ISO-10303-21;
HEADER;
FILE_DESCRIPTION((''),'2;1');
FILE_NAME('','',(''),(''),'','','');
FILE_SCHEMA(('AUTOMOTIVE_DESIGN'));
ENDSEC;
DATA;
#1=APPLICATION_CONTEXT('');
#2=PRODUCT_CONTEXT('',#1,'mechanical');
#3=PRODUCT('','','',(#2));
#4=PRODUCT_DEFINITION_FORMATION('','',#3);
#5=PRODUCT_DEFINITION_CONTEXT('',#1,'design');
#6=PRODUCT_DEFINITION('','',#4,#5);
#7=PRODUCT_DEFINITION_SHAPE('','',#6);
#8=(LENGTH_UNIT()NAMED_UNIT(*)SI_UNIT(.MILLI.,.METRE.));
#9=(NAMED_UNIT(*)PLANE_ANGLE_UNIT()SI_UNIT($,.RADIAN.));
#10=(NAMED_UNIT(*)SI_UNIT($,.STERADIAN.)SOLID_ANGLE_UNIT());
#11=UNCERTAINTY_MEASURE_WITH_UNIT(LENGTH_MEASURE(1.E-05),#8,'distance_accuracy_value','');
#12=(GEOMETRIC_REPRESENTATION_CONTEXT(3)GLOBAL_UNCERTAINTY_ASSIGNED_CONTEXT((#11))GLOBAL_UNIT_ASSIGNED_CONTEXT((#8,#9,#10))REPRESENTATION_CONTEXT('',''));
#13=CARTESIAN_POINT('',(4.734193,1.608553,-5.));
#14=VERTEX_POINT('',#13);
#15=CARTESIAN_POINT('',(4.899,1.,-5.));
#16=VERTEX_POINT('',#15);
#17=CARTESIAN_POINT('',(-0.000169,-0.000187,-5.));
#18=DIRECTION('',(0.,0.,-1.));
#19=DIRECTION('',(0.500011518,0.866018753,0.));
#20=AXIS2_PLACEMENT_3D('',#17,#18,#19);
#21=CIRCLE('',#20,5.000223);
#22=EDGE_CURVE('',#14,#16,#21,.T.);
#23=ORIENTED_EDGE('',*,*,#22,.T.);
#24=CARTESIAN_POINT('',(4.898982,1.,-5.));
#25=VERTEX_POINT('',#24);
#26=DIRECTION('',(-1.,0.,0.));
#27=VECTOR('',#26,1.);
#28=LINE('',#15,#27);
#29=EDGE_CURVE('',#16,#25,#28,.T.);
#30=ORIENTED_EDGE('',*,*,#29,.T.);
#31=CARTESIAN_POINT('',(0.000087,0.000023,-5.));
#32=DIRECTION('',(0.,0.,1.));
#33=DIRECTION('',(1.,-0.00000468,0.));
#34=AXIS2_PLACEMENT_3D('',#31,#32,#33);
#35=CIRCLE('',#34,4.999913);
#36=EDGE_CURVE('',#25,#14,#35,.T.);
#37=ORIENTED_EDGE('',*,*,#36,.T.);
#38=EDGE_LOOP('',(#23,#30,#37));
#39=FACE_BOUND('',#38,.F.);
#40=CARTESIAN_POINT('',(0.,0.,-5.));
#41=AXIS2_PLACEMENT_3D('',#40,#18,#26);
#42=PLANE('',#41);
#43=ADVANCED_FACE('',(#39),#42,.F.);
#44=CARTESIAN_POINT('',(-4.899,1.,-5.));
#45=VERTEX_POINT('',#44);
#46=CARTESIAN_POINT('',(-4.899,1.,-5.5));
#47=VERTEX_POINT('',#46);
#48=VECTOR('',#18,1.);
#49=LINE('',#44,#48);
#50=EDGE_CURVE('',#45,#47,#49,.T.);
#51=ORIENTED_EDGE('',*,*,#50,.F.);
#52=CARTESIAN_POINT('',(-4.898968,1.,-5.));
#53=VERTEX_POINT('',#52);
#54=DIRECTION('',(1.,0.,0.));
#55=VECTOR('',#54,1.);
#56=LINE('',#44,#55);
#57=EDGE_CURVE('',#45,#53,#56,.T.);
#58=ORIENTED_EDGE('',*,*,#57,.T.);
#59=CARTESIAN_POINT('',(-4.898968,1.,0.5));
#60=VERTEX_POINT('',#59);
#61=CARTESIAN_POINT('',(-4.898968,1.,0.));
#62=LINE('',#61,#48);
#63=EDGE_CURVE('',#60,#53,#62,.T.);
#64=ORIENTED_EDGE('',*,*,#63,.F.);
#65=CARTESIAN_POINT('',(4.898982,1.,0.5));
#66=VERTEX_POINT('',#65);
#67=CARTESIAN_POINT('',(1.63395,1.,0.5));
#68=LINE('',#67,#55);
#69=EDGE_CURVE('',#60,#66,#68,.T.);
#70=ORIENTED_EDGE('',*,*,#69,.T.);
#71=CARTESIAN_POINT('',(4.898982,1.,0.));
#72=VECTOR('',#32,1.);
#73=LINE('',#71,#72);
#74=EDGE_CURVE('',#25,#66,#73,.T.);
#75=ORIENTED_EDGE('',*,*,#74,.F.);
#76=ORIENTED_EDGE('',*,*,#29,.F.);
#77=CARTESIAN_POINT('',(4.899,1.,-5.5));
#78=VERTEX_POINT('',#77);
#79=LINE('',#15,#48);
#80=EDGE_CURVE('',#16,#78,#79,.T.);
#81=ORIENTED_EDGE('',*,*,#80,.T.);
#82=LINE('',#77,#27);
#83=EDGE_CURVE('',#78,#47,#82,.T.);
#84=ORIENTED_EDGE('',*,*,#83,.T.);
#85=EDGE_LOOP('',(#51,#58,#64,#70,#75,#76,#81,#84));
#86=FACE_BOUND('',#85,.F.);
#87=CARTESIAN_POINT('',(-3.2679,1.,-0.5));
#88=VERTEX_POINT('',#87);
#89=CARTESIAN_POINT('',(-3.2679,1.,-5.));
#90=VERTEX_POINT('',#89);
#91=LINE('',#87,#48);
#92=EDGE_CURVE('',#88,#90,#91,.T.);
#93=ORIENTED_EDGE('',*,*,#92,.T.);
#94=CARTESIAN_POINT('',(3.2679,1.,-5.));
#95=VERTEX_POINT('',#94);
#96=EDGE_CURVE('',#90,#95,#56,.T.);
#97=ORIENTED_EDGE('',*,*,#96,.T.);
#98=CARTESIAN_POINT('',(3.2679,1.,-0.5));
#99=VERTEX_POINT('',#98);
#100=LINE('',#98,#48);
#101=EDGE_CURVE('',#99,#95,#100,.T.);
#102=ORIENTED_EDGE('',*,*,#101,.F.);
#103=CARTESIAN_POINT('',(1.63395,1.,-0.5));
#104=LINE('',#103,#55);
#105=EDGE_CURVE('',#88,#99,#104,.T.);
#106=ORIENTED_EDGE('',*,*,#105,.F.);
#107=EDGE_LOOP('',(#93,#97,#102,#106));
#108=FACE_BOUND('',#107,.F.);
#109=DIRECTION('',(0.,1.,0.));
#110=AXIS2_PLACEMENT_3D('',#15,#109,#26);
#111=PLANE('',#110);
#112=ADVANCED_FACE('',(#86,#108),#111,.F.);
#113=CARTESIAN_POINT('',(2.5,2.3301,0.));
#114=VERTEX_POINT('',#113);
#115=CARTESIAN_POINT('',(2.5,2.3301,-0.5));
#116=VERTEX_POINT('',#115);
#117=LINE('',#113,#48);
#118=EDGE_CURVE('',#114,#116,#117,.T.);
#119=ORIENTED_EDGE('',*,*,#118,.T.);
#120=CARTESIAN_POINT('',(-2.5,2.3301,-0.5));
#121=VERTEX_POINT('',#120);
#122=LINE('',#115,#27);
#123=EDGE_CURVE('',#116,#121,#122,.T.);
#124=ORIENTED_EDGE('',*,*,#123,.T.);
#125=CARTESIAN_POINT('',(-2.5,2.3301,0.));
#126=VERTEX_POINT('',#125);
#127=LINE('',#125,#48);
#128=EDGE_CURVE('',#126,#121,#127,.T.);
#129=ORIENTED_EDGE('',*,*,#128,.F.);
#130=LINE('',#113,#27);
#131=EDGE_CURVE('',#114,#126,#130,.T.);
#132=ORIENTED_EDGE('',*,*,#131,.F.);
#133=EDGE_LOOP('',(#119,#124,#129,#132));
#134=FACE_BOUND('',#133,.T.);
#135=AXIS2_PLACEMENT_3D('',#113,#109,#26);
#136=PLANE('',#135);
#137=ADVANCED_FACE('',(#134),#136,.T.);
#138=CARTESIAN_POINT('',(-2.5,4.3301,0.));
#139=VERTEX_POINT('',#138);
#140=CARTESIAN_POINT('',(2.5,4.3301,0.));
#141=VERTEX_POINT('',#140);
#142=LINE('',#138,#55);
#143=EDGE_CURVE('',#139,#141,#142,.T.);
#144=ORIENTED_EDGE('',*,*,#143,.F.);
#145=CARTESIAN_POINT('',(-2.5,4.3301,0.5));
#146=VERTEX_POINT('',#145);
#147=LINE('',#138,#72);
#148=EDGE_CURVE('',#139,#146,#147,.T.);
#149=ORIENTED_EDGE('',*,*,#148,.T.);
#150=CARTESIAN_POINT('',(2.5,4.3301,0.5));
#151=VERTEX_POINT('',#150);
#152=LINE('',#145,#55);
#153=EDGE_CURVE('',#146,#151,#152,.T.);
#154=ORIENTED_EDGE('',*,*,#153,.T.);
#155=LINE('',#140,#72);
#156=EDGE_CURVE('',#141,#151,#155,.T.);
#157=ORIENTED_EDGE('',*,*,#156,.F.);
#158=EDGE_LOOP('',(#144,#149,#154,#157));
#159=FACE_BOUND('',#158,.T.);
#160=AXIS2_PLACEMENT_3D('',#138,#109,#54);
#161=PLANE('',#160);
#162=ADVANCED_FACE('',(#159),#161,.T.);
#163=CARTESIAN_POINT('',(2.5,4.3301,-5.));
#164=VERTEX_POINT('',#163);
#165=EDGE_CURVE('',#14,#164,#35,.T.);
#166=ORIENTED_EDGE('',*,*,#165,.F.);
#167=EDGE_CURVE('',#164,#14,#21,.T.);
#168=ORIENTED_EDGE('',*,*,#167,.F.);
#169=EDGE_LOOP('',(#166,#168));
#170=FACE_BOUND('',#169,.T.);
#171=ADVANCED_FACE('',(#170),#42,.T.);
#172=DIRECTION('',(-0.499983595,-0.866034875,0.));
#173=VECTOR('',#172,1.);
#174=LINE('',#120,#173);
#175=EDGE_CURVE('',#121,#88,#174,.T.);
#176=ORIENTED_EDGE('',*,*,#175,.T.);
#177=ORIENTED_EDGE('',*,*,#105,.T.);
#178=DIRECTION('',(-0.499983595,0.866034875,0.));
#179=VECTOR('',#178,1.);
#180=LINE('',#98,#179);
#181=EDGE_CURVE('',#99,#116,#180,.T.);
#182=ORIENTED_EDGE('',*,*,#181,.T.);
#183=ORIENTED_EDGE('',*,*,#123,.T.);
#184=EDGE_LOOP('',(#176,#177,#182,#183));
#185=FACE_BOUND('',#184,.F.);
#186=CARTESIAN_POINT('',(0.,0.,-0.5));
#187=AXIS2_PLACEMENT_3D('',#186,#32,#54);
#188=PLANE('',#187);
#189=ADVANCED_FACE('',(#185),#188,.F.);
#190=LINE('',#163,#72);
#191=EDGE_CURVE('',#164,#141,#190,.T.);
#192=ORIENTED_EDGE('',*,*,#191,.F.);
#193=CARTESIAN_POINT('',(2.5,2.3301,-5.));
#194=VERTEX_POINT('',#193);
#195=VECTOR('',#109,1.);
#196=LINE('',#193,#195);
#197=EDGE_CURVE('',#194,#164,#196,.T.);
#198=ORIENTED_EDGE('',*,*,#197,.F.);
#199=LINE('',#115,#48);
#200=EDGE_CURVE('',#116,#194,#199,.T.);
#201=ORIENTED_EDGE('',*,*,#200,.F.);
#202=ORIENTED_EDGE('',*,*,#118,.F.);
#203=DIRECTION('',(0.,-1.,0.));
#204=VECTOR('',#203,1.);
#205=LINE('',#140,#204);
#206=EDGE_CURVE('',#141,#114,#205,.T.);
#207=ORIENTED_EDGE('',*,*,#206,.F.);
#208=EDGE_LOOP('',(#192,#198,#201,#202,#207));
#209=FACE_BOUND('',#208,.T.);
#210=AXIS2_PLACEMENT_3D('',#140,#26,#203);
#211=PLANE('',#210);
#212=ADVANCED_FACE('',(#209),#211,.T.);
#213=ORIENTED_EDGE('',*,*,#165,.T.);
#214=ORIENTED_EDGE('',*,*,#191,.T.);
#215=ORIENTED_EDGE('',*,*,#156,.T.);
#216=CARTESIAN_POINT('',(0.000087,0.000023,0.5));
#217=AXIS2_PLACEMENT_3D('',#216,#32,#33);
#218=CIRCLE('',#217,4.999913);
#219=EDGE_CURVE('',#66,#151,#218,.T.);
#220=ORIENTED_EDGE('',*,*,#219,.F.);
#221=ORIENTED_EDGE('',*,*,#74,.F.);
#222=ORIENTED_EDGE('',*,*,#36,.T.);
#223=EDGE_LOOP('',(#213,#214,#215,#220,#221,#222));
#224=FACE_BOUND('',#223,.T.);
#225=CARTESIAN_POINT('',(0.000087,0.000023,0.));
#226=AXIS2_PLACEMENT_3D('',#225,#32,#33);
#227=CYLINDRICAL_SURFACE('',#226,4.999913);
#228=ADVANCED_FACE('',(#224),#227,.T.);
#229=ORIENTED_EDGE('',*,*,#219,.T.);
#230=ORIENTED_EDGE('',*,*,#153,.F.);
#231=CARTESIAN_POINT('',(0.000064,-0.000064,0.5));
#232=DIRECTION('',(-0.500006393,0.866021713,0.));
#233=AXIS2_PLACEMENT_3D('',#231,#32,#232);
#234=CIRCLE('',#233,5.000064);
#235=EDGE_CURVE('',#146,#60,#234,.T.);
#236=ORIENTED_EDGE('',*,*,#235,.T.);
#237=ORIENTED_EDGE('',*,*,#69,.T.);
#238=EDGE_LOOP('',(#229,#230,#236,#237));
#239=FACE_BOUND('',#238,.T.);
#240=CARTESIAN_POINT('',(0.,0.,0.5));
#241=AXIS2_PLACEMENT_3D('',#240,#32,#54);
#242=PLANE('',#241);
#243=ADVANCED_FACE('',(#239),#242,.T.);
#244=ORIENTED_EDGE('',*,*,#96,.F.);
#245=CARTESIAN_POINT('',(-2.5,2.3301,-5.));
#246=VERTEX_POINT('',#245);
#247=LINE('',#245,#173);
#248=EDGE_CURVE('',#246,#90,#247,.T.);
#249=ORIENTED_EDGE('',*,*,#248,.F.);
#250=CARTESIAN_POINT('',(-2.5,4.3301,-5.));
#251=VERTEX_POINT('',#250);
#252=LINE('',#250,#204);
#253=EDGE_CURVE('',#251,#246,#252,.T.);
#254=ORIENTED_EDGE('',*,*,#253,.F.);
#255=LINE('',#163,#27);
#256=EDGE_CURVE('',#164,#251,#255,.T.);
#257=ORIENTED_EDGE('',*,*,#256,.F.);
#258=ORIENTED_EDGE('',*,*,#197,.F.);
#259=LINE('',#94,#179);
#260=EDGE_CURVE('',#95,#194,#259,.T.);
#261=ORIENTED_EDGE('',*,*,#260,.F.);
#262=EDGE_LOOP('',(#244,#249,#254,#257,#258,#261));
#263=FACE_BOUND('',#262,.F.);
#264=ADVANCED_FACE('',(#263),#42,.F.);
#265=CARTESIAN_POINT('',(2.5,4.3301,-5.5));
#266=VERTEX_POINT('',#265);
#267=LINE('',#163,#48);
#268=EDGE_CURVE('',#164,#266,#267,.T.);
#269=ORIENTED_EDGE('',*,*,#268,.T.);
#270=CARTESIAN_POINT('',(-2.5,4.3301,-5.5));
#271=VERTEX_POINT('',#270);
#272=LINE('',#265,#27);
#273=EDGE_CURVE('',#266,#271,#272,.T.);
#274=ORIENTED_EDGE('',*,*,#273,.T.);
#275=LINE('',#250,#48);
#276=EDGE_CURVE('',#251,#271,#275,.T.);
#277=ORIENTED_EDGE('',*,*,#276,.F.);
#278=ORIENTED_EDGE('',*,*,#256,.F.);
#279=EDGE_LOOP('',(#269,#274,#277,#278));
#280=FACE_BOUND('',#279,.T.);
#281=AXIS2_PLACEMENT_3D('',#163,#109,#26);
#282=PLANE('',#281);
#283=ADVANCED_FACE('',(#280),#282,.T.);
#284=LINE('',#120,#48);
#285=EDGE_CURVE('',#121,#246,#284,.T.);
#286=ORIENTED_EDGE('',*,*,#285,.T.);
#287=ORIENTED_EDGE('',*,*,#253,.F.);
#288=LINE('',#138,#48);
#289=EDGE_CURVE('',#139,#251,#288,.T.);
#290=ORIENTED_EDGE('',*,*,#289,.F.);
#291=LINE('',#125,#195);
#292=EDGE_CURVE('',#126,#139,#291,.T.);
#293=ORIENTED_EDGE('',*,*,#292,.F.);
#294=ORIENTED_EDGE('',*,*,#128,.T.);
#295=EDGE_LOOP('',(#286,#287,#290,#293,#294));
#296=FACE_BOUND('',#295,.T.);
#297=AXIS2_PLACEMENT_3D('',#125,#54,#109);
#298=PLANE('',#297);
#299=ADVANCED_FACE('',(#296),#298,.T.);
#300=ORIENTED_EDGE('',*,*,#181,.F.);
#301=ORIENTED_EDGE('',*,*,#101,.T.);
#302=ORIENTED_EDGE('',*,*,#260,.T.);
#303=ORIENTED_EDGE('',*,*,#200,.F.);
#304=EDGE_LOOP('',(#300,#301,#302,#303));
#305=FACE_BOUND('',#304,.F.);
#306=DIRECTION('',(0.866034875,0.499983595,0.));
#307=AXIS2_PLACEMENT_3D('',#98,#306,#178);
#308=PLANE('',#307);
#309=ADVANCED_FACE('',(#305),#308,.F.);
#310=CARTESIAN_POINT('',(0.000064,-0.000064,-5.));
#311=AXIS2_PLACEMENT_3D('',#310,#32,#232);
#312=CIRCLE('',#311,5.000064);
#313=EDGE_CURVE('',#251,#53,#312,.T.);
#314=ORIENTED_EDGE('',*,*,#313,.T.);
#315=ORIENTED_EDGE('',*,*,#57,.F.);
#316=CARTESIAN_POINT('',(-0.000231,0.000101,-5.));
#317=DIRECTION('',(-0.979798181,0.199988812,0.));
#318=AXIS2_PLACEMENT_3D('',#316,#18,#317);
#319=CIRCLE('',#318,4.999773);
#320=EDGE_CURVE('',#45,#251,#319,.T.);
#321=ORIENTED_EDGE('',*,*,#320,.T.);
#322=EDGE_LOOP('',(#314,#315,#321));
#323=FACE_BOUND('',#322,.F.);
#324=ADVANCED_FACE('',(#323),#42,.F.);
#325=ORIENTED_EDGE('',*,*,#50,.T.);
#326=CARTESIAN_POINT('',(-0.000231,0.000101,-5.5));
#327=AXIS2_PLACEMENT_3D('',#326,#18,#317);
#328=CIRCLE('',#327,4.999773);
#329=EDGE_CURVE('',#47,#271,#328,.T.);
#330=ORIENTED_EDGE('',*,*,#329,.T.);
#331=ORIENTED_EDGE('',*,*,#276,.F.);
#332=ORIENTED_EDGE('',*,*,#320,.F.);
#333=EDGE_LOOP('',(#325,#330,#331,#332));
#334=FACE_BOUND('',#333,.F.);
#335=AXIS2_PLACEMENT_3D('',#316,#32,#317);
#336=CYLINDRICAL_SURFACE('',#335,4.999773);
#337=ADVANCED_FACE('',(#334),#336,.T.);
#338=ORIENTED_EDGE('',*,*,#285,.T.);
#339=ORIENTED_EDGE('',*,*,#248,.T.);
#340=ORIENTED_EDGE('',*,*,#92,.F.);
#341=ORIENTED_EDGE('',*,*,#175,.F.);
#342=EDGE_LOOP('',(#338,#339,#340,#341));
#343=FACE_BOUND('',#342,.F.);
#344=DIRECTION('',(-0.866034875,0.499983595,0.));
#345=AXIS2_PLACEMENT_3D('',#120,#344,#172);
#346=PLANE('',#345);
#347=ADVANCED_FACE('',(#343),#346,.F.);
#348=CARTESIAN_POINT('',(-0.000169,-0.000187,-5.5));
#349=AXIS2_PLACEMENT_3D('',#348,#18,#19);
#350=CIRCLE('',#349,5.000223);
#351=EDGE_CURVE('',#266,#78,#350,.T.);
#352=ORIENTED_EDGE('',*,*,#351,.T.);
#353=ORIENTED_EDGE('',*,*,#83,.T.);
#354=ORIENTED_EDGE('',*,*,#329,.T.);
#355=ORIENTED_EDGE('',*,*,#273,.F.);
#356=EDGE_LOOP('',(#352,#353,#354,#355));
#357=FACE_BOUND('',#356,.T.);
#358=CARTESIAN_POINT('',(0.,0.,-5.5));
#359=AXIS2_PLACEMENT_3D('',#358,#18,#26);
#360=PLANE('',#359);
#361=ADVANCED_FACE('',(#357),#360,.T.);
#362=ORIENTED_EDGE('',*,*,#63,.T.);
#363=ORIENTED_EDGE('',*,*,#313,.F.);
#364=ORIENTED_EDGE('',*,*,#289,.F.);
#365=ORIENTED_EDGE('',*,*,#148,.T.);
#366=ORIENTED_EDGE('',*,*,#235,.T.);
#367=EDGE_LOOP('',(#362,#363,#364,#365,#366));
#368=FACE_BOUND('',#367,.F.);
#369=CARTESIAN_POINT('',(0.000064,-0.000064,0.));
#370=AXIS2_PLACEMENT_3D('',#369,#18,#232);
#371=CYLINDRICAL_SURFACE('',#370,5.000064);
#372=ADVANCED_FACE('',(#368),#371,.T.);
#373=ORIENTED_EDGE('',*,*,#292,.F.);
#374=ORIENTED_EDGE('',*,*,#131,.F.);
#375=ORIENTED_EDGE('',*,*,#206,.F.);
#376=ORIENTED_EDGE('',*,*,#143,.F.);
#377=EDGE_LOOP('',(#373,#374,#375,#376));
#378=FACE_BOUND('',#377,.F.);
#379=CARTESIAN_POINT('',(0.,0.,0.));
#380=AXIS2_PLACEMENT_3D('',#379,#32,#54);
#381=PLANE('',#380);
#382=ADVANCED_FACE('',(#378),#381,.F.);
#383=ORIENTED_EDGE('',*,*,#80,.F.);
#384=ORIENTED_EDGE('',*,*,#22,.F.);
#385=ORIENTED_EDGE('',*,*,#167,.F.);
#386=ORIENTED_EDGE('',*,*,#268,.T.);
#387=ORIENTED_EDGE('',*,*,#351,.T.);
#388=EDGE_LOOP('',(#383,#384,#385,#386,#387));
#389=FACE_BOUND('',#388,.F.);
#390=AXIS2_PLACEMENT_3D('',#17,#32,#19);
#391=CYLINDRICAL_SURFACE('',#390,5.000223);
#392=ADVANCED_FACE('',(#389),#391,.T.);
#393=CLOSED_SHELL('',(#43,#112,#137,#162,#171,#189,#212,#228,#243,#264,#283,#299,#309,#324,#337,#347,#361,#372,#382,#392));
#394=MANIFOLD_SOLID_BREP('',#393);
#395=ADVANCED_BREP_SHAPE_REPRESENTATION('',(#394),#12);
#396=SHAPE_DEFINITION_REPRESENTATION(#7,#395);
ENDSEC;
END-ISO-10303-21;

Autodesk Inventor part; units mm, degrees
ref_plane "YZ Plane" through (0, 0, 0) normal (1, 0, 0) x (0, 1, 0)
ref_plane "XZ Plane" through (0, 0, 0) normal (0, 1, 0) x (-1, 0, 0)
sketch "Sketch9" plane through (0, 0, 0) normal (0, 0, 1) x (1, 0, 0)
  line L0 (5, 0) -> (2.5, -4.3301)
  line L1 (2.5, -4.3301) -> (-2.5, -4.3301)
  line L2 (-2.5, -4.3301) -> (-5, 0)
  line L3 (-5, 0) -> (-2.5, 4.3301)
  line L4 (-2.5, 4.3301) -> (2.5, 4.3301)
  line L5 (2.5, 4.3301) -> (5, 0)
  line L6 (2.5, 4.3301) -> (2.5, 2.3301)
  line L7 (2.5, 2.3301) -> (-2.5, 2.3301)
  line L8 (-2.5, 2.3301) -> (-2.5, 4.3301)
  line L9 (-2.5, -4.3301) -> (-5, 0)
  line L10 (-0.7679, -3.3301) -> (-2.5, -4.3301)
  line L11 (-3.2679, 1) -> (-0.7679, -3.3301)
  line L12 (-5, 0) -> (-3.2679, 1)
  line L13 (5, 0) -> (2.5, -4.3301)
  line L14 (3.2679, 1) -> (5, 0)
  line L15 (0.7679, -3.3301) -> (3.2679, 1)
  line L16 (2.5, -4.3301) -> (0.7679, -3.3301)
  point P0 (0, 0)
  point P1 (0, 0)
  point P2 (-5, 0)
  dimension "d62" = 5
  dimension "d63" = 2
  dimension "d66" = 360
extrude "Extrusion9" add sketch "Sketch9" against normal blind 0.5 contours L14 L15 L16 L1 L10 L11 L12 L3 L8 L7 L6 L5
sketch "Sketch11" plane through (0, 0, -0.5) normal (0, 0, -1) x (-1, 0, 0)
  line L0 (2.5, 2.3301) -> (-2.5, 2.3301) projected
  line L1 (-2.5, 2.3301) -> (-2.5, 4.3301) projected
  line L2 (-2.5, 2.3301) -> (-2.5, 4.3301)
  line L3 (-5, 0) -> (-2.5, 4.3301) projected
  line L4 (-2.5, 4.3301) -> (-5, 0)
  line L5 (-3.2679, 1) -> (-0.7679, -3.3301) projected
  line L6 (-5, 0) -> (-3.2679, 1)
  line L7 (-3.2679, 1) -> (-2.5, 2.3301)
  line L8 (2.5, 4.3301) -> (2.5, 2.3301) projected
  line L9 (2.5, 4.3301) -> (2.5, 2.3301)
  line L10 (2.5, 2.3301) -> (3.2679, 1)
  line L11 (3.2679, 1) -> (5, 0)
  line L12 (5, 0) -> (2.5, 4.3301)
  line L13 (-0.7679, -3.3301) -> (-2.5, -4.3301)
  line L14 (2.5, -4.3301) -> (0.7679, -3.3301) projected
  line L15 (-2.5, -4.3301) -> (2.5, -4.3301)
  line L16 (2.5, -4.3301) -> (0.7679, -3.3301)
  line L17 (0.7679, -3.3301) -> (-0.7679, -3.3301)
  point P0 (0, 0)
extrude "Extrusion10" add sketch "Sketch11" along normal blind 4.5
sketch "Sketch12" plane through (0, 0, 0) normal (0, 0, 1) x (1, 0, 0)
  line L0 (3.2679, 1) -> (5, 0) projected
  line L1 (-2.5, 4.3301) -> (-5, 0)
  line L2 (-2.5, -4.3301) -> (2.5, -4.3301)
  line L3 (2.5, 4.3301) -> (2.5, 2.3301) projected
  line L4 (5, 0) -> (2.5, 4.3301)
  arc A0 (-2.5, 4.3301) -> (-5, 0) centre (0, 0) ccw
  arc A1 (-2.5, -4.3301) -> (2.5, -4.3301) centre (0, 0) ccw
  arc A2 (5, 0) -> (2.5, 4.3301) centre (0, 0) ccw
extrude "Extrusion11" add sketch "Sketch12" against normal up to surface (5 mm away)
extrude "Extrusion12" add sketch "Sketch9" along normal blind 0.5
extrude "Extrusion13" add sketch "Sketch12" along normal blind 0.5
ref_plane "Work Plane1" through (3.2679, 1, -5) normal (0, 1, 0) x (-1, 0, 0)
split "Split1" plane through (3.2679, 1, -5) removes the side toward (0, -1, 0)
sketch "Sketch13" plane through (0, 0, -5) normal (0, 0, -1) x (-1, 0, 0)
  line L0 (2.5, 4.3301) -> (2.5, 2.3301) projected
  line L1 (-2.5, 4.3301) -> (2.5, 4.3301)
  arc A0 (4.899, 1) -> (2.5, 4.3301) centre (0, 0) ccw projected
  line L2 (-4.899, 1) -> (-3.2679, 1) projected
  line L3 (4.899, 1) -> (-4.899, 1)
  arc A1 (4.899, 1) -> (2.5, 4.3301) centre (0, 0) ccw
  arc A2 (-2.5, 4.3301) -> (-4.899, 1) centre (0, 0) ccw
extrude "Extrusion14" add sketch "Sketch13" along normal blind 0.5
properties part number "BodyFoldedSide2"
